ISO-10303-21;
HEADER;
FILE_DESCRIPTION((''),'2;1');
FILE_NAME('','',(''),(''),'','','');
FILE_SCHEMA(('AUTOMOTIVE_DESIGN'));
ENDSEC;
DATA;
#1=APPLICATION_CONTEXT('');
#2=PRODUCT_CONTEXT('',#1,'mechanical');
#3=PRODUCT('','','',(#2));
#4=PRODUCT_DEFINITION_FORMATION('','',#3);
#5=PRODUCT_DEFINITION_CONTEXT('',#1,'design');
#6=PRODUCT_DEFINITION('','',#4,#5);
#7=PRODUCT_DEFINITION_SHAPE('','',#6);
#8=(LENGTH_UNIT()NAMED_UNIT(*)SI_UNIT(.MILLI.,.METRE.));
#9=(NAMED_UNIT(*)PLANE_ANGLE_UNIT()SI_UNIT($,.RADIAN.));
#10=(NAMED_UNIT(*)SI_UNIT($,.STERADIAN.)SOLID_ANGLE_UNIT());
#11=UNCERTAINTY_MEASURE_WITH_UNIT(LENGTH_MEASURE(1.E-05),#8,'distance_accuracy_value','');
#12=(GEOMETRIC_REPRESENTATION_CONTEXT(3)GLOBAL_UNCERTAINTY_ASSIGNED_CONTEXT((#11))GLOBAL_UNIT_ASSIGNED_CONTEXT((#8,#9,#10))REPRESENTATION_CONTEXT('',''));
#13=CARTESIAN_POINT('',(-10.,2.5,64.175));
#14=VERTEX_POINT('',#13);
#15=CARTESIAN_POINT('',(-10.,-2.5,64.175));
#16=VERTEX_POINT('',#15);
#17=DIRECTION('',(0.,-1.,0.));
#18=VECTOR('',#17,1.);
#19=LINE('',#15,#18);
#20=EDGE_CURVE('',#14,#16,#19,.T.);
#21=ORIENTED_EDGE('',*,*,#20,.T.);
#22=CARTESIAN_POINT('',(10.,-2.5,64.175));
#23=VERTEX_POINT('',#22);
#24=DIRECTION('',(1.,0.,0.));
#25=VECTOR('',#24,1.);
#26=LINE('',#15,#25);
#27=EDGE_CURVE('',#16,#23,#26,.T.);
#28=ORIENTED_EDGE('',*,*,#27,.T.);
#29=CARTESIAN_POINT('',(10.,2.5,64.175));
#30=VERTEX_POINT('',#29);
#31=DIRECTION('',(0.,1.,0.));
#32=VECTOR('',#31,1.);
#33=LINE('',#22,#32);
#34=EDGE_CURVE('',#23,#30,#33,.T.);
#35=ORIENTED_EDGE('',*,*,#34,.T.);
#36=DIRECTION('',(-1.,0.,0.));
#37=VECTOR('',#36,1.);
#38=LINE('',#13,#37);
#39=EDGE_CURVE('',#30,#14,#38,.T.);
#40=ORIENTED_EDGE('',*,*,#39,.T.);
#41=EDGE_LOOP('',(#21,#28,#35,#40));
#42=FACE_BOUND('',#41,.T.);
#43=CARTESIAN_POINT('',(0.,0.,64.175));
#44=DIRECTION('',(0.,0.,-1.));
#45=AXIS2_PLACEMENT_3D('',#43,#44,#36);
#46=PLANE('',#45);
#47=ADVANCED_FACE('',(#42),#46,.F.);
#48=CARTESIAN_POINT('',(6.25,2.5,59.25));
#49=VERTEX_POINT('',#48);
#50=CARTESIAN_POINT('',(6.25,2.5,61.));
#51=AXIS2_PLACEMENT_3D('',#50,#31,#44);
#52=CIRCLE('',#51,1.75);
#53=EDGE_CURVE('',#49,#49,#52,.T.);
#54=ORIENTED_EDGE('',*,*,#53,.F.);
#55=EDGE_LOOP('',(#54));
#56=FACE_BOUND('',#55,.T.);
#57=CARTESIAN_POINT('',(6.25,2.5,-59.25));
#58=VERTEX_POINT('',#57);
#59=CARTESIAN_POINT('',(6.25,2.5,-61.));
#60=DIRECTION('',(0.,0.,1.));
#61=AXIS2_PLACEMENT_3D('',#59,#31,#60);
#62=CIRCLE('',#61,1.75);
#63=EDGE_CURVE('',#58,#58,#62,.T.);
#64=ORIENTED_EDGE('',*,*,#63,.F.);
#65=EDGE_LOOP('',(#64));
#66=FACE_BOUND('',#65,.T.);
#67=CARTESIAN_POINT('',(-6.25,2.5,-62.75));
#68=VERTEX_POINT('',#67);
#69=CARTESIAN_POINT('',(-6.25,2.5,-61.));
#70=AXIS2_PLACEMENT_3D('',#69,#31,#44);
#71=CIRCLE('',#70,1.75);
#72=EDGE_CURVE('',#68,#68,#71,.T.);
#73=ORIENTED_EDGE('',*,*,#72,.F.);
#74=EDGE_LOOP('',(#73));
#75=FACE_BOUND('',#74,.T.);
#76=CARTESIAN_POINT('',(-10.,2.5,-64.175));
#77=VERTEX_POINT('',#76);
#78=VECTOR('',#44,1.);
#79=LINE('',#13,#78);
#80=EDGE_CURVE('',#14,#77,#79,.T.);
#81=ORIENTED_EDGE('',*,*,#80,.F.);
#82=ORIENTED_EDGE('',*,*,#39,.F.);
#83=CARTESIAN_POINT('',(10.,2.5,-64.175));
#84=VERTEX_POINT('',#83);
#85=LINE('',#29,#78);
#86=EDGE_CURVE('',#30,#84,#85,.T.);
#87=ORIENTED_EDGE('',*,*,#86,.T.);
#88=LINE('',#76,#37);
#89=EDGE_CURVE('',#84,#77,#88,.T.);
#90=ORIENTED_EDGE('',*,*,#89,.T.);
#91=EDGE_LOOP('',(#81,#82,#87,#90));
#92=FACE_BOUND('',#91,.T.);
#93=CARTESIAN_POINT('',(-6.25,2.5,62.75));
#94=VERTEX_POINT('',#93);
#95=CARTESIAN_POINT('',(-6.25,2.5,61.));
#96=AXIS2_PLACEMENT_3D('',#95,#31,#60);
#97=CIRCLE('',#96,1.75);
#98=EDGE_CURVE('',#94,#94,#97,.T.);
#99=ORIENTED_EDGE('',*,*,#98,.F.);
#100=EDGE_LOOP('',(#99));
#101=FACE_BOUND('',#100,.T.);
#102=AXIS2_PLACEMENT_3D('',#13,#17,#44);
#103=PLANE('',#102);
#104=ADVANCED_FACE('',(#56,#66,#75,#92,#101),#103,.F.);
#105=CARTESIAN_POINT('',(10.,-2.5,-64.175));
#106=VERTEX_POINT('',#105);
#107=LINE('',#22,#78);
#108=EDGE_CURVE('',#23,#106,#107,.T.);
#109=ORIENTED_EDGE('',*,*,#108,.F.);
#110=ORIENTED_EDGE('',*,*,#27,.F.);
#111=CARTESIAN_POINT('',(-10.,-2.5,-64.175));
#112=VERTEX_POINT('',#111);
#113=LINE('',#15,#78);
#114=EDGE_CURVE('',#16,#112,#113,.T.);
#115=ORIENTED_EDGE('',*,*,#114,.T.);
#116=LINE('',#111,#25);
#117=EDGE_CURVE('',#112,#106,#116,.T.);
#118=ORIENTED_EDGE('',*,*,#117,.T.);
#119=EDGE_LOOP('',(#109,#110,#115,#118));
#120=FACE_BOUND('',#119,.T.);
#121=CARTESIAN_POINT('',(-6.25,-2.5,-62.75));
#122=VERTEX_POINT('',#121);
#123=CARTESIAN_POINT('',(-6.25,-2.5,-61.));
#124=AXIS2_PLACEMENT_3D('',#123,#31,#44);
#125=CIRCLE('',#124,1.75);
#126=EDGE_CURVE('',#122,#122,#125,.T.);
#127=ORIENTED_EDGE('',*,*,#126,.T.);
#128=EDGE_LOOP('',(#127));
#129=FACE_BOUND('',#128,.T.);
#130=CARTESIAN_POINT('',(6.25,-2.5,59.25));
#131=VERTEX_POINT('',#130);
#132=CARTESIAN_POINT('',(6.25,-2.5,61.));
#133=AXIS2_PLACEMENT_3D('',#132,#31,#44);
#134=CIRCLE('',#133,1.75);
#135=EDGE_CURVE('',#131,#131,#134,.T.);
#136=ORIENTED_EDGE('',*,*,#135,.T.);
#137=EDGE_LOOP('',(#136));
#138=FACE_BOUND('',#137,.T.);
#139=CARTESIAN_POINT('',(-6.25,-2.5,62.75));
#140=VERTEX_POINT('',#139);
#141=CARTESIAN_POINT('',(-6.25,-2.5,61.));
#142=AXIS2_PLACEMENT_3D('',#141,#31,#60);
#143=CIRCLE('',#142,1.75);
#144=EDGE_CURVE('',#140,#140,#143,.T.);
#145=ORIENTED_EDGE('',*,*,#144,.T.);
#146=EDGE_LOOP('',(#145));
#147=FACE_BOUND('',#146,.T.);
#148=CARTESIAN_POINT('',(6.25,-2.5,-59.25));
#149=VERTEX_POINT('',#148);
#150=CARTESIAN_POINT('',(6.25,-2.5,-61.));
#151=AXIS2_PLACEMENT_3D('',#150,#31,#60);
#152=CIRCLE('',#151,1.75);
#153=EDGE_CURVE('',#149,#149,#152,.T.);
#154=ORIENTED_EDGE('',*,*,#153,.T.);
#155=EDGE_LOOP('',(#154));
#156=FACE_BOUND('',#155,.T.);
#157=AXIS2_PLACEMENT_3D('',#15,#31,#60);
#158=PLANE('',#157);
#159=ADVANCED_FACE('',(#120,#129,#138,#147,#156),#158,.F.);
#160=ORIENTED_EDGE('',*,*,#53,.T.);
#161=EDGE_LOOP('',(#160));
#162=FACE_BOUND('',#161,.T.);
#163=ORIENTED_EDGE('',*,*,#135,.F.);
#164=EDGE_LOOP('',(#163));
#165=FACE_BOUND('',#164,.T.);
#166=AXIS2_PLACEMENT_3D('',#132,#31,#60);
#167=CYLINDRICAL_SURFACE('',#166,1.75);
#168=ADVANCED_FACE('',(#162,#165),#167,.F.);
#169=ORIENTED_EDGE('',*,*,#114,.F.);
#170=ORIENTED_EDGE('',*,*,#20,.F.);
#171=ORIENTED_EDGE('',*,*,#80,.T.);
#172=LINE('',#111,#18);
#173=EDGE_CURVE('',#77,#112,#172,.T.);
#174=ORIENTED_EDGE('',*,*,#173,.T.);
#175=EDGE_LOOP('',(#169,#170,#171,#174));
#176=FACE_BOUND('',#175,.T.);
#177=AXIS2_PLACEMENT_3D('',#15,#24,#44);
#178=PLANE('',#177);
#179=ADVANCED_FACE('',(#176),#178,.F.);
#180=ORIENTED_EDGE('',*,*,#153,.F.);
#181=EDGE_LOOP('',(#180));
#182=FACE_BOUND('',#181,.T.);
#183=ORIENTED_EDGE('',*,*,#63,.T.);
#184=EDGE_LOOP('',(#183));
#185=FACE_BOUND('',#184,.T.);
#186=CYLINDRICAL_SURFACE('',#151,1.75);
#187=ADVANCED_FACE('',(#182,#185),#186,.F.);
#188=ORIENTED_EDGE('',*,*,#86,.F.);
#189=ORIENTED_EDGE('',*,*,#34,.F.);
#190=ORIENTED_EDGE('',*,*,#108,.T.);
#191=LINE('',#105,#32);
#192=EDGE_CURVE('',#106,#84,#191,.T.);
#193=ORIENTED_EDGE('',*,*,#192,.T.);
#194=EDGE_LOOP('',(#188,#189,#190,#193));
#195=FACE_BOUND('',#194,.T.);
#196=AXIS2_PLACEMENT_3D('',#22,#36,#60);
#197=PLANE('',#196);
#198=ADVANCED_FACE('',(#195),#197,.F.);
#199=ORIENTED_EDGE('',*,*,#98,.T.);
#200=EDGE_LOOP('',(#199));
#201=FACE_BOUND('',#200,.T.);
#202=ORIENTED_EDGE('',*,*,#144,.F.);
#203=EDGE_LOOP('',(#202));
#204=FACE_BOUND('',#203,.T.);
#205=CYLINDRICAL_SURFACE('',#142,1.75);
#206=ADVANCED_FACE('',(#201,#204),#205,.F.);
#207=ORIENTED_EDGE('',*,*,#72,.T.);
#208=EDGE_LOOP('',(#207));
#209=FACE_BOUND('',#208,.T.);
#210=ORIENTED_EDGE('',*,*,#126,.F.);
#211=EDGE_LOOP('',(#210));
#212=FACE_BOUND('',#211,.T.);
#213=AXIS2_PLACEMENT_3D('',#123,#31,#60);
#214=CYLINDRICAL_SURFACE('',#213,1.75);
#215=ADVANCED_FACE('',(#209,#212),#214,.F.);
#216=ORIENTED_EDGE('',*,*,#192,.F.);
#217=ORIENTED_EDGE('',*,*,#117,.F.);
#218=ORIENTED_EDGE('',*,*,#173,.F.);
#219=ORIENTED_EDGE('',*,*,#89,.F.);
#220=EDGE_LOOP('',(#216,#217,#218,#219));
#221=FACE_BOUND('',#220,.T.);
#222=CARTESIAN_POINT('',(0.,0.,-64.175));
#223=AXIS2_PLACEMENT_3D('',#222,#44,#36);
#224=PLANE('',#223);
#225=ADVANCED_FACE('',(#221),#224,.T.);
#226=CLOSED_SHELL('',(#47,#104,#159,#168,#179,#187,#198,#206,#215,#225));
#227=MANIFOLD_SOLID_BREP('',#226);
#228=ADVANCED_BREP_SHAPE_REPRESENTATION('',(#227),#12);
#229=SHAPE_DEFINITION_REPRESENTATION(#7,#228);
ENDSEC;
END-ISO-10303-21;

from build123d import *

# Parameters (mm, degrees)
SKETCH1_W           = 20
SKETCH1_H           = 5
BOSS_EXTRUDE1_DEPTH = 64.175
SKETCH2_R           = 1.75
CUT_EXTRUDE1_DEPTH  = 66.14161976


with BuildPart() as part:
    # Sketch1 → Boss-Extrude1 (new, symmetric)
    with BuildSketch(Plane.XY):
        Rectangle(SKETCH1_W, SKETCH1_H)
    extrude(amount=BOSS_EXTRUDE1_DEPTH, both=True)

    # Sketch2 → Cut-Extrude1 (cut, through all)
    with BuildSketch(Plane(origin=(0, 2.5, 0), x_dir=(1, 0, 0), z_dir=(0, 1, 0))):
        with Locations(Location((-6.25, -61, 0), (0, 0, 270))):
            Circle(SKETCH2_R)
        with Locations(Location((6.25, -61, 0), (0, 0, 90))):
            Circle(SKETCH2_R)
        with Locations(Location((6.25, 61, 0), (0, 0, 270))):
            Circle(SKETCH2_R)
        with Locations(Location((-6.25, 61, 0), (0, 0, 90))):
            Circle(SKETCH2_R)
    extrude(amount=-CUT_EXTRUDE1_DEPTH, mode=Mode.SUBTRACT)


solid = part.part
